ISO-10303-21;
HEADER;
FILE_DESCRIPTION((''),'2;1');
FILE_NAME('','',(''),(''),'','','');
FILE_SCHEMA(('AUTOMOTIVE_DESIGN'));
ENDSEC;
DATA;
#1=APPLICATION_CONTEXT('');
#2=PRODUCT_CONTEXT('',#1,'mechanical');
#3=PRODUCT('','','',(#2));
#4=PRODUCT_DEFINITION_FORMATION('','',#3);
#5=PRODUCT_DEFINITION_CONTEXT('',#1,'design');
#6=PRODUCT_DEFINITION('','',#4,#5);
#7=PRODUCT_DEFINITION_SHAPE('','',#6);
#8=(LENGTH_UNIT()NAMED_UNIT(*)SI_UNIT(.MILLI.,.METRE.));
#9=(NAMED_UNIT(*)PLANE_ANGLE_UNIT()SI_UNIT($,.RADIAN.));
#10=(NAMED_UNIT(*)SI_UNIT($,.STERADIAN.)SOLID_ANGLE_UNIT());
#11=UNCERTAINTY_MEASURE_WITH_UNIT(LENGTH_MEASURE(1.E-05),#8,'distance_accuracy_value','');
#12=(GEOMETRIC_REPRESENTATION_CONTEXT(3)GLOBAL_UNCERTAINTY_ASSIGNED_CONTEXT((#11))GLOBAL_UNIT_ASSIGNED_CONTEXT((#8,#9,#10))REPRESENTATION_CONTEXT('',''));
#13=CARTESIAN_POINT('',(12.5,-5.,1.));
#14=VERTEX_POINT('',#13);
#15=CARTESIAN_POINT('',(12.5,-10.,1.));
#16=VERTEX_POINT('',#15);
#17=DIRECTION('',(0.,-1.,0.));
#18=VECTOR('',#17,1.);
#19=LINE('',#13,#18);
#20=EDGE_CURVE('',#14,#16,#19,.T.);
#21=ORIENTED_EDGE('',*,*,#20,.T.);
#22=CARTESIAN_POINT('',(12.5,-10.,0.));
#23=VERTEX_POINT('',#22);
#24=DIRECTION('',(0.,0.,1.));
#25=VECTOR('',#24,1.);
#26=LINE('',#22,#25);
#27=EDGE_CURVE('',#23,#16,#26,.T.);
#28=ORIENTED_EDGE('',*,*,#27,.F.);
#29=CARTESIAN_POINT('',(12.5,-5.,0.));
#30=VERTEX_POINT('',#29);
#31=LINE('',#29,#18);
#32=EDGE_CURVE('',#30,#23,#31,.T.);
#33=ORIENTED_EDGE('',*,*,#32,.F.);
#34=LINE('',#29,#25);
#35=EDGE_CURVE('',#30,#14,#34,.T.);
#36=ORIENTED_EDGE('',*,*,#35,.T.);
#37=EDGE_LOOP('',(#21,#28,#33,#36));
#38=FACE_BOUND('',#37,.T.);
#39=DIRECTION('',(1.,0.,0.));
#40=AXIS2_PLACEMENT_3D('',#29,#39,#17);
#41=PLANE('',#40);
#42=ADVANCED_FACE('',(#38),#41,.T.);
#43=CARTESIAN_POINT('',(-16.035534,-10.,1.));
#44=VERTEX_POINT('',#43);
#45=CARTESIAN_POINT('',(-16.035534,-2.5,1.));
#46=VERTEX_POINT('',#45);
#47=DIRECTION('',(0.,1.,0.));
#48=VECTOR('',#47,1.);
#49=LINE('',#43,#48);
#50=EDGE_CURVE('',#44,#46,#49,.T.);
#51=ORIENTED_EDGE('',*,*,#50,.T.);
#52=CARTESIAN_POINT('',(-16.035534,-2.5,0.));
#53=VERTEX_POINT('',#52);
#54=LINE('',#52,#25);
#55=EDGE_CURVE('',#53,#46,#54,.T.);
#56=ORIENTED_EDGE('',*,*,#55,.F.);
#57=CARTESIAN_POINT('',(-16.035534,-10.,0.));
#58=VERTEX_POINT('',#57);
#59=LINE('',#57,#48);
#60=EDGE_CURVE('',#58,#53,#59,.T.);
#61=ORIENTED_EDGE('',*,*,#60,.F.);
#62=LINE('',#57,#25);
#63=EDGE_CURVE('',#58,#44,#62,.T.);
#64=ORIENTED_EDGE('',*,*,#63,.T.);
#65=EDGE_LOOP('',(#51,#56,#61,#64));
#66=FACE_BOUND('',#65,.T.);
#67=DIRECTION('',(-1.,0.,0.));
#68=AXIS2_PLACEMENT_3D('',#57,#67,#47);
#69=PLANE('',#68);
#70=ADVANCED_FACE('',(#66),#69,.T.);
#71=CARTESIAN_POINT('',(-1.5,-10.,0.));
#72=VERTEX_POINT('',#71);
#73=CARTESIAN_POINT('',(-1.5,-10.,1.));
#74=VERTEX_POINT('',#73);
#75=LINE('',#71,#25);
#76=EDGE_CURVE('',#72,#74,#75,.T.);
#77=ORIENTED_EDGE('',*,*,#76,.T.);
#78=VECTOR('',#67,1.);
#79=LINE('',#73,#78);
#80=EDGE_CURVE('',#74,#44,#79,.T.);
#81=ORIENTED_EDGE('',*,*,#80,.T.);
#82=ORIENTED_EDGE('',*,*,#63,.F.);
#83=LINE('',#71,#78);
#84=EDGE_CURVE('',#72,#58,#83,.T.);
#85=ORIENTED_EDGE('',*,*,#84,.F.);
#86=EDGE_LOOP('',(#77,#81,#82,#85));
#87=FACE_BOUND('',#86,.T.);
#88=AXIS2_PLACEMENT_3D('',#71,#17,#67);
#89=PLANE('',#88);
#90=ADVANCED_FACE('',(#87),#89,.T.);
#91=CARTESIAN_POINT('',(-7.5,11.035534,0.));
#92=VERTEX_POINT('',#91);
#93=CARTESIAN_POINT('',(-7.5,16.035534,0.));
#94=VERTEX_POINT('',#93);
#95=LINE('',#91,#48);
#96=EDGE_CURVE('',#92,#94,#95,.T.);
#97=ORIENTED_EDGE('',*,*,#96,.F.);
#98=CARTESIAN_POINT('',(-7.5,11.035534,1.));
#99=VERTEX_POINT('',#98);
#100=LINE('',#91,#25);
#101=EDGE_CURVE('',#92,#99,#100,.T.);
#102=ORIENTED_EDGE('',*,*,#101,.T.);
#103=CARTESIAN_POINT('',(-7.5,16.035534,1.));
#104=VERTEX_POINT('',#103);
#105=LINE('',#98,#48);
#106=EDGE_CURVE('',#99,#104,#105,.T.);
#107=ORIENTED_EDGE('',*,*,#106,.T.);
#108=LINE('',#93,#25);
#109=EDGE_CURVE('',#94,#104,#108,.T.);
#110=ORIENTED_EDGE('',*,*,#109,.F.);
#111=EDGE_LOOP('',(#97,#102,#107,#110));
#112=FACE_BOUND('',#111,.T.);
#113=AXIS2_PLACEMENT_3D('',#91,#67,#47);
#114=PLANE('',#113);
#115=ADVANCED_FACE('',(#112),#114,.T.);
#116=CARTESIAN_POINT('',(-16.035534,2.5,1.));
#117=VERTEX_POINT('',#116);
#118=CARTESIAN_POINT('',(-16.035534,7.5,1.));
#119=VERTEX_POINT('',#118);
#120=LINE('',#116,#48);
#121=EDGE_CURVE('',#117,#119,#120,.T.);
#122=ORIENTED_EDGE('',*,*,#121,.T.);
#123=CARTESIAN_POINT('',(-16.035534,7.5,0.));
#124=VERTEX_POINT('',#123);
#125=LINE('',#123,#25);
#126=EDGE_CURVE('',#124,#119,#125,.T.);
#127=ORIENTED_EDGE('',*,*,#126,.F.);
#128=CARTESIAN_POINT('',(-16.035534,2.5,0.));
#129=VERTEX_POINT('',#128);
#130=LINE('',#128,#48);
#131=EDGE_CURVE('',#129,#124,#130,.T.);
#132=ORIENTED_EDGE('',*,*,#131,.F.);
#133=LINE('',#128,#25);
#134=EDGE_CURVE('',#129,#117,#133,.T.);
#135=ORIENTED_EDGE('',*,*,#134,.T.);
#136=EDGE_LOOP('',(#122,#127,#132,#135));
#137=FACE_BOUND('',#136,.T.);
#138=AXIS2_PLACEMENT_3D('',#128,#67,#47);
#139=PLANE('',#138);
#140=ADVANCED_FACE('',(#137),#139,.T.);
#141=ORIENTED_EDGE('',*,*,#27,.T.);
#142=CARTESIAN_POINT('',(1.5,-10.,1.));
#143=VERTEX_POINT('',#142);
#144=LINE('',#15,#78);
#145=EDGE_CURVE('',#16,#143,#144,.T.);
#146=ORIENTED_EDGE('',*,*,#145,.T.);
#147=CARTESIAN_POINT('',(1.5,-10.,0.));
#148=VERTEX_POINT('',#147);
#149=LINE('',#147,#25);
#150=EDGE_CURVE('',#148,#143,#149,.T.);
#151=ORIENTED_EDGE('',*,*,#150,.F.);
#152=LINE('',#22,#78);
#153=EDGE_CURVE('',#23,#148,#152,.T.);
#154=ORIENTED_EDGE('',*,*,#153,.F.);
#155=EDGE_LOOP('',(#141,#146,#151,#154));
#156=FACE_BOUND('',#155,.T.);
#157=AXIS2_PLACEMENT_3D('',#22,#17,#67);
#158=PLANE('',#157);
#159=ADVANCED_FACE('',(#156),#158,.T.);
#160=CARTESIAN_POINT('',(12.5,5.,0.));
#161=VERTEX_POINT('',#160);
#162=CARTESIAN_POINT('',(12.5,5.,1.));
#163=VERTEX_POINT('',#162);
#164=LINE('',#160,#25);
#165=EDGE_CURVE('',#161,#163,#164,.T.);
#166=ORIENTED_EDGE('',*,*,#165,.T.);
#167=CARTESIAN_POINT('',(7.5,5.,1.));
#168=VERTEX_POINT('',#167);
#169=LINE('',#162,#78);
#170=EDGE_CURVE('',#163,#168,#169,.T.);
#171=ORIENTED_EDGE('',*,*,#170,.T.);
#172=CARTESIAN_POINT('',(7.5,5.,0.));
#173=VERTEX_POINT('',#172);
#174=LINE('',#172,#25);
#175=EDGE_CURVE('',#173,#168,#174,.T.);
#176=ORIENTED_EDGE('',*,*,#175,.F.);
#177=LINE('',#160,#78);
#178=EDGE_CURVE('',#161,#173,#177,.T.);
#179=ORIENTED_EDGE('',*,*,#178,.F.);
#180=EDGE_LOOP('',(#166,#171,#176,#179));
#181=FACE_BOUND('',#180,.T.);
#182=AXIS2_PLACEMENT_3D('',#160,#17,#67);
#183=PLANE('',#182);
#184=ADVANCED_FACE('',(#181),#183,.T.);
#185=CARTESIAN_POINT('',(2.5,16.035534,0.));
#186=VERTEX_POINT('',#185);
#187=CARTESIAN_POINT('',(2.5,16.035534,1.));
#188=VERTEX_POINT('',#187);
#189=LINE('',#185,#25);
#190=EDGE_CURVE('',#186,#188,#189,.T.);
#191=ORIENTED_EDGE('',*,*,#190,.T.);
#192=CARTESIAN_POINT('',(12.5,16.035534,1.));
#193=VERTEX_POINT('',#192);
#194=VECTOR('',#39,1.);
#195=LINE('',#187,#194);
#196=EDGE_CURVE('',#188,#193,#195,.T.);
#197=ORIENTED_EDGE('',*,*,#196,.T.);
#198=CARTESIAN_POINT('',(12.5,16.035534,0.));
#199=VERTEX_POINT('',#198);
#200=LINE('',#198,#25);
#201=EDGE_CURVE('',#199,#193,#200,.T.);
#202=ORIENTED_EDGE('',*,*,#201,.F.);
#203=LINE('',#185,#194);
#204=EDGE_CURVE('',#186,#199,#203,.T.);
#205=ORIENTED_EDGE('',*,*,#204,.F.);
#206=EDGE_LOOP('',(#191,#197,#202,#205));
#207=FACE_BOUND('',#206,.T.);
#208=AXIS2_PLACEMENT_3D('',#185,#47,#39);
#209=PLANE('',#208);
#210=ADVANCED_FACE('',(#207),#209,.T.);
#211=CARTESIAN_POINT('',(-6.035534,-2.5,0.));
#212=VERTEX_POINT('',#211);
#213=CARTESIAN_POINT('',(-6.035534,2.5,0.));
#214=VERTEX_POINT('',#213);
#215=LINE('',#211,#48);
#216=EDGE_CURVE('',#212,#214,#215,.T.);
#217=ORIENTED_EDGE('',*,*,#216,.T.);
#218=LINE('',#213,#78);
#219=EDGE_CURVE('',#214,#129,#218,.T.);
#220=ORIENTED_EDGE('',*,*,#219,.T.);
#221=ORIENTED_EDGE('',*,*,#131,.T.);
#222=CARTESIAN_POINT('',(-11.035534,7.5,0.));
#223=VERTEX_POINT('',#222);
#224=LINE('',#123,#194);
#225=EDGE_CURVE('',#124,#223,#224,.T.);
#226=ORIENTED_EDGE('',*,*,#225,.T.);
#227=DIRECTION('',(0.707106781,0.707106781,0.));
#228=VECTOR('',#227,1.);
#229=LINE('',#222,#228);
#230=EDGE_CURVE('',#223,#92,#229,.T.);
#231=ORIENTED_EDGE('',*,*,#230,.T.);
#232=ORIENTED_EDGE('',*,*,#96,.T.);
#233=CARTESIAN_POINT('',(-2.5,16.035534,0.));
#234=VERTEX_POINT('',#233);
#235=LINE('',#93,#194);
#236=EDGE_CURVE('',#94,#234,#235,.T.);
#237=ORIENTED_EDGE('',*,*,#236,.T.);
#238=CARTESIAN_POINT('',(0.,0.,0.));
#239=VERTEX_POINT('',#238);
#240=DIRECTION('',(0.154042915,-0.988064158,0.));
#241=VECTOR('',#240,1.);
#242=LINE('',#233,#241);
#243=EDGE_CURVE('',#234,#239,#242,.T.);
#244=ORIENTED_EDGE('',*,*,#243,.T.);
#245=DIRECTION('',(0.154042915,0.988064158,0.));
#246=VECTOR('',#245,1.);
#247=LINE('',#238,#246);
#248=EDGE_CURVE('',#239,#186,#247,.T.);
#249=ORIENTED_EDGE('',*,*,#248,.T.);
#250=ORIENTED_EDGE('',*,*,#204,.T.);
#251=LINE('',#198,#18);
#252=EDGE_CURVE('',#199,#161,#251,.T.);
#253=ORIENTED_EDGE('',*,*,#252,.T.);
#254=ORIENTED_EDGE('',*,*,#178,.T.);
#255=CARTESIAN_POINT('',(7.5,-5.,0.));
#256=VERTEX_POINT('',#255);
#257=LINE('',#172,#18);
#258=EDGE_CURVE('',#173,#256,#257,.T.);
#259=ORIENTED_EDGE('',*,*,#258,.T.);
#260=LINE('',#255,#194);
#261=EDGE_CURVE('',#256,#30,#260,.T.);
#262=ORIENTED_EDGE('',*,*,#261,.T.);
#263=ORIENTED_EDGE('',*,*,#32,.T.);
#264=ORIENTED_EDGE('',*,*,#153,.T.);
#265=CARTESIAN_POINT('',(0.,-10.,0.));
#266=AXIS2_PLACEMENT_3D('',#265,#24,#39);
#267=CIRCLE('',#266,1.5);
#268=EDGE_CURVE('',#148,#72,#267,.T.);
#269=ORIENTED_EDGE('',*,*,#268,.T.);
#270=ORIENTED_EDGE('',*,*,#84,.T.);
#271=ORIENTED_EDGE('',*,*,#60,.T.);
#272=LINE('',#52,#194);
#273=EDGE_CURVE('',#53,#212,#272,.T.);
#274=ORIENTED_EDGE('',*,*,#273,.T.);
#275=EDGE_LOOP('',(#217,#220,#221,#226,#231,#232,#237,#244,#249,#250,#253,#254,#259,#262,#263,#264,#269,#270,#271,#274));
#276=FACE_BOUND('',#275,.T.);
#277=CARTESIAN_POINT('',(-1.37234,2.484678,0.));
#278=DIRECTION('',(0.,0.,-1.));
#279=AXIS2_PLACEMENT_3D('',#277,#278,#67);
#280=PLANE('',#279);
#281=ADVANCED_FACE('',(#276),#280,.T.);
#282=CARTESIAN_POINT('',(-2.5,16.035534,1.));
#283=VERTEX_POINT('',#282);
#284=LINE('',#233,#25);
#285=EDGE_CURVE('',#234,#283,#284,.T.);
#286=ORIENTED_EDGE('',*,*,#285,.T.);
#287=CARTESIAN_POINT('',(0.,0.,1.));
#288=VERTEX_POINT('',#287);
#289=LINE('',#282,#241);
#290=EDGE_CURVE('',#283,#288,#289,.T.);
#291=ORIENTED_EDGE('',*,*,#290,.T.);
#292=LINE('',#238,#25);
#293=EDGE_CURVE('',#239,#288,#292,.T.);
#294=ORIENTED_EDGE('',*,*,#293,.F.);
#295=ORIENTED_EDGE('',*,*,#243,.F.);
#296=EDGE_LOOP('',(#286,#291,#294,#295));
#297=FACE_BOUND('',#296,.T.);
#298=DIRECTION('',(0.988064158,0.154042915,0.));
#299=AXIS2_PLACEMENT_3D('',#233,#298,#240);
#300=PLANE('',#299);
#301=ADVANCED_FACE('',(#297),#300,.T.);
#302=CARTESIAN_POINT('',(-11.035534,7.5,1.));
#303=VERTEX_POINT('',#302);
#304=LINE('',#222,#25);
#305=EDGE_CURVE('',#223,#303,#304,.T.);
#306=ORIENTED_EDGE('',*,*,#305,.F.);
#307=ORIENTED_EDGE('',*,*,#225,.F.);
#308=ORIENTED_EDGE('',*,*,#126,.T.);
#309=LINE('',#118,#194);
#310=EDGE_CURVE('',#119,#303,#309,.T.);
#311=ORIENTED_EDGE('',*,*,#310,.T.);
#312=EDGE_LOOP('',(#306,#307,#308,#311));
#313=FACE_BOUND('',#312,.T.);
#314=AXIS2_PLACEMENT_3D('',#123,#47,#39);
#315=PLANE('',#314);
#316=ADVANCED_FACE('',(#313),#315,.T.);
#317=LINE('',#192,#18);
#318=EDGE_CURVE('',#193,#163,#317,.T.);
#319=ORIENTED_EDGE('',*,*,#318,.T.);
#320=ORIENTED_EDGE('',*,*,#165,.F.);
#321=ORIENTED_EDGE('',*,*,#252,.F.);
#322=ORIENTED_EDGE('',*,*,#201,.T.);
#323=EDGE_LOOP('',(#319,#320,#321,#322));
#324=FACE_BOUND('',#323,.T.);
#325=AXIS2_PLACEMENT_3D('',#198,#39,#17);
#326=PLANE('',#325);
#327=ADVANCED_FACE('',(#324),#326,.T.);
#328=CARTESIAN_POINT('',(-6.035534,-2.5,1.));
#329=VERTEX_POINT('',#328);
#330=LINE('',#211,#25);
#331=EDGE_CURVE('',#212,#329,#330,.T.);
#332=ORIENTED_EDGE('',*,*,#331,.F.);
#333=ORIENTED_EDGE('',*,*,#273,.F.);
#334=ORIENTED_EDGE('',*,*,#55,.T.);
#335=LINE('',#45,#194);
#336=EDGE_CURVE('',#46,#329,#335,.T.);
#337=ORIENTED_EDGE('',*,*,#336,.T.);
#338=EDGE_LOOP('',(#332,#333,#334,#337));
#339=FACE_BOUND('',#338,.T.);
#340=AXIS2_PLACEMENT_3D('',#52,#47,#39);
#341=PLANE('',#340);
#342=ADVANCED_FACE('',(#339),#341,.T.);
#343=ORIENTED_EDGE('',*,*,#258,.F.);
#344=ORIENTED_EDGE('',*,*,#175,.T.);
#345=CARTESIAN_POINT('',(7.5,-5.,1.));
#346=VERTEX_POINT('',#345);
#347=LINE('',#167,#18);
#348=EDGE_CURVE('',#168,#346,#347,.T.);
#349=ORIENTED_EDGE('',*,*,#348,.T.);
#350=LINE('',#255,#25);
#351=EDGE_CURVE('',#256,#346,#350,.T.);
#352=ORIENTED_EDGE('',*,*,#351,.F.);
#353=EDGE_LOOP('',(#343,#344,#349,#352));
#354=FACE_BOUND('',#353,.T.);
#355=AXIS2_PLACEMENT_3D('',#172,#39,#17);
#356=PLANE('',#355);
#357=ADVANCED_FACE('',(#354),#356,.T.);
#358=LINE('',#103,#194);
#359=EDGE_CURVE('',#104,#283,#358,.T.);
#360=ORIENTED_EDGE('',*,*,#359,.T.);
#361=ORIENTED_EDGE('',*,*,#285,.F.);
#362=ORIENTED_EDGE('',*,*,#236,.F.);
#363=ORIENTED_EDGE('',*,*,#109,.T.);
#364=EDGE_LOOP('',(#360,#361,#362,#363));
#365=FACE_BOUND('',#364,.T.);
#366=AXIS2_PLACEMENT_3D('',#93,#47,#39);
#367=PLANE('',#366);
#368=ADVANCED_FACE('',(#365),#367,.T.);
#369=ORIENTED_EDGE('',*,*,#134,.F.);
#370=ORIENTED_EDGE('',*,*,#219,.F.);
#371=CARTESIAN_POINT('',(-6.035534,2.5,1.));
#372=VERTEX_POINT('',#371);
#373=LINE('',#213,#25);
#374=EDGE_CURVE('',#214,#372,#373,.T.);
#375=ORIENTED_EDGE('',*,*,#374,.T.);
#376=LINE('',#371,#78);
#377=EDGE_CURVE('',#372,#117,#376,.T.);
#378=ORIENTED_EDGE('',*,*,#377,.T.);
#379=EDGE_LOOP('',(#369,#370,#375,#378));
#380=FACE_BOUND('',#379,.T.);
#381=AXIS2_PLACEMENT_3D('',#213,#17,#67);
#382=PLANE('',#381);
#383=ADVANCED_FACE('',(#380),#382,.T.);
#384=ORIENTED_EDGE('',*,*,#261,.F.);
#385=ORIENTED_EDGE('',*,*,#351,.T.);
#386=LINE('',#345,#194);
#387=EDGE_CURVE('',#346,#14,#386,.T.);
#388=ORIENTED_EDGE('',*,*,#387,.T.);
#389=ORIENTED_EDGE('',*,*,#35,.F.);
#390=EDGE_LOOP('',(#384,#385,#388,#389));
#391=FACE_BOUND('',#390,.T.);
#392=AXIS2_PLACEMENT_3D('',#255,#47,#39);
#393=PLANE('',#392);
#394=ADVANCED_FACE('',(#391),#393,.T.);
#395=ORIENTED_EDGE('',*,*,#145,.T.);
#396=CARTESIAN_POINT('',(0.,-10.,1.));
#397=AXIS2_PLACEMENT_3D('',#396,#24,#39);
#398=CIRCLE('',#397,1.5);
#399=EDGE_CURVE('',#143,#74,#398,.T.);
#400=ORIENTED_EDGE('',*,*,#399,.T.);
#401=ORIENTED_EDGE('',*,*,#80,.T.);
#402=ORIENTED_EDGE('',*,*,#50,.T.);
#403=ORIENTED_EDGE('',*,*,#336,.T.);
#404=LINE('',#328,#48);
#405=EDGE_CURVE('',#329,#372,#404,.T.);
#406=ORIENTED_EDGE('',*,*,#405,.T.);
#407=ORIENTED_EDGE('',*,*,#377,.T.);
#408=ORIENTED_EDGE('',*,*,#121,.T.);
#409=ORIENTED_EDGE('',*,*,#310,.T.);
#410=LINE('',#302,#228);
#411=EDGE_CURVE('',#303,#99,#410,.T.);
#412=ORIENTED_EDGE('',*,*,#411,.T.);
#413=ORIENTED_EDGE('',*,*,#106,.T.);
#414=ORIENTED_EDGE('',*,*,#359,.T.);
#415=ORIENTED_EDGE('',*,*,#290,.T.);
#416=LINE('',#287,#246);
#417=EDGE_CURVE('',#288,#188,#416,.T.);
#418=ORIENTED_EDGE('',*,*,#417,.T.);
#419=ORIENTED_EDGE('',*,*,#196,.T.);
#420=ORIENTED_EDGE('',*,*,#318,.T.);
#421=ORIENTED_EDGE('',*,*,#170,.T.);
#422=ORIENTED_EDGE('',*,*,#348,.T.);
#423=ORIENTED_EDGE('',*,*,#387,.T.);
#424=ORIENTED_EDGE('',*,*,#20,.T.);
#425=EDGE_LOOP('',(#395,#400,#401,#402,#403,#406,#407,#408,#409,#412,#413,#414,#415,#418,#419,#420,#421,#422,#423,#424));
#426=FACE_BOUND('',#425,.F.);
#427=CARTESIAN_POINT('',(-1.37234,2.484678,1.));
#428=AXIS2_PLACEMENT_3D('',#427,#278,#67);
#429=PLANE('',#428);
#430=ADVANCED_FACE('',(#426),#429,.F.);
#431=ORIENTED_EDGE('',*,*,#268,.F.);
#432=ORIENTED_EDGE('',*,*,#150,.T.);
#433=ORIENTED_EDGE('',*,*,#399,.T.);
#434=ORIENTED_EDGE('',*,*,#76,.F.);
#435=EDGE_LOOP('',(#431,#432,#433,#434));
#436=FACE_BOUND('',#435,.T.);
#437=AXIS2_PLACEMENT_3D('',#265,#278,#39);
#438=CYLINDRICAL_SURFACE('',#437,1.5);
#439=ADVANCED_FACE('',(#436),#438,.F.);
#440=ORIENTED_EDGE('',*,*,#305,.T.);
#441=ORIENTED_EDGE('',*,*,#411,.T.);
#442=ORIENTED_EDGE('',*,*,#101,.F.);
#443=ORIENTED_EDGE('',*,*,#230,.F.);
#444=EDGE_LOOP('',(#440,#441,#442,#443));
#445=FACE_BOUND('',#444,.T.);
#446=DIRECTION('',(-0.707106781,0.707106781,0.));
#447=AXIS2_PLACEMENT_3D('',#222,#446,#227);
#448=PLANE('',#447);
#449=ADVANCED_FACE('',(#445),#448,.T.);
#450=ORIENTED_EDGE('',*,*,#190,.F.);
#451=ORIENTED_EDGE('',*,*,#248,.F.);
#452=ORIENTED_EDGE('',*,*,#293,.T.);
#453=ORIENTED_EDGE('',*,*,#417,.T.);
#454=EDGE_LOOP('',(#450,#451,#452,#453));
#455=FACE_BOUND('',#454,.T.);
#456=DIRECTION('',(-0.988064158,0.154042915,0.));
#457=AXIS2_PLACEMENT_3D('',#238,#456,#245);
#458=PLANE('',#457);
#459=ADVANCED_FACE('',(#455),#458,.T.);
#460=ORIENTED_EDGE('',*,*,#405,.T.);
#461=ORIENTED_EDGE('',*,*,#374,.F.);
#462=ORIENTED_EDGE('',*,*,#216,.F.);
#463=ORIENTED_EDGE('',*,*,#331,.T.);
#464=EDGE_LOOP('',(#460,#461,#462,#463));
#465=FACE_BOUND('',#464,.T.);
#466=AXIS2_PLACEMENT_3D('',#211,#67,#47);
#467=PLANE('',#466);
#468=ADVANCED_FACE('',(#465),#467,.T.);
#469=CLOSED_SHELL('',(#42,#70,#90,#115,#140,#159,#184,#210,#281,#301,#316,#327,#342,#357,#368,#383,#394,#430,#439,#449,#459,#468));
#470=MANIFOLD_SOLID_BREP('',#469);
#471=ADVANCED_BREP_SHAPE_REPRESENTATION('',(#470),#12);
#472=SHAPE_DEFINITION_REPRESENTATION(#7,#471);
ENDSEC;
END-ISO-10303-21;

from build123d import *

# Parameters (mm, degrees)
PAD_DEPTH = 1


with BuildPart() as part:
    # Sketch → Pad (new body)
    with BuildSketch(Plane.XY):
        with BuildLine():
            Line((-16.035534, -10), (-16.035534, -2.5))
            Line((-16.035534, -2.5), (-6.035534, -2.5))
            Line((-6.035534, -2.5), (-6.035534, 2.5))
            Line((-6.035534, 2.5), (-16.035534, 2.5))
            Line((-16.035534, 2.5), (-16.035534, 7.5))
            Line((-16.035534, 7.5), (-11.035534, 7.5))
            Line((-11.035534, 7.5), (-7.5, 11.035534))
            Line((-7.5, 11.035534), (-7.5, 16.035534))
            Line((-7.5, 16.035534), (-2.5, 16.035534))
            Line((-2.5, 16.035534), (0, 0))
            Line((0, 0), (2.5, 16.035534))
            Line((2.5, 16.035534), (12.5, 16.035534))
            Line((12.5, 16.035534), (12.5, 5))
            Line((12.5, 5), (7.5, 5))
            Line((7.5, 5), (7.5, -5))
            Line((7.5, -5), (12.5, -5))
            Line((12.5, -5), (12.5, -10))
            Line((12.5, -10), (1.5, -10))
            ThreePointArc((1.5, -10), (0, -8.5), (-1.5, -10))
            Line((-1.5, -10), (-16.035534, -10))
        make_face()
    extrude(amount=PAD_DEPTH)


solid = part.part
